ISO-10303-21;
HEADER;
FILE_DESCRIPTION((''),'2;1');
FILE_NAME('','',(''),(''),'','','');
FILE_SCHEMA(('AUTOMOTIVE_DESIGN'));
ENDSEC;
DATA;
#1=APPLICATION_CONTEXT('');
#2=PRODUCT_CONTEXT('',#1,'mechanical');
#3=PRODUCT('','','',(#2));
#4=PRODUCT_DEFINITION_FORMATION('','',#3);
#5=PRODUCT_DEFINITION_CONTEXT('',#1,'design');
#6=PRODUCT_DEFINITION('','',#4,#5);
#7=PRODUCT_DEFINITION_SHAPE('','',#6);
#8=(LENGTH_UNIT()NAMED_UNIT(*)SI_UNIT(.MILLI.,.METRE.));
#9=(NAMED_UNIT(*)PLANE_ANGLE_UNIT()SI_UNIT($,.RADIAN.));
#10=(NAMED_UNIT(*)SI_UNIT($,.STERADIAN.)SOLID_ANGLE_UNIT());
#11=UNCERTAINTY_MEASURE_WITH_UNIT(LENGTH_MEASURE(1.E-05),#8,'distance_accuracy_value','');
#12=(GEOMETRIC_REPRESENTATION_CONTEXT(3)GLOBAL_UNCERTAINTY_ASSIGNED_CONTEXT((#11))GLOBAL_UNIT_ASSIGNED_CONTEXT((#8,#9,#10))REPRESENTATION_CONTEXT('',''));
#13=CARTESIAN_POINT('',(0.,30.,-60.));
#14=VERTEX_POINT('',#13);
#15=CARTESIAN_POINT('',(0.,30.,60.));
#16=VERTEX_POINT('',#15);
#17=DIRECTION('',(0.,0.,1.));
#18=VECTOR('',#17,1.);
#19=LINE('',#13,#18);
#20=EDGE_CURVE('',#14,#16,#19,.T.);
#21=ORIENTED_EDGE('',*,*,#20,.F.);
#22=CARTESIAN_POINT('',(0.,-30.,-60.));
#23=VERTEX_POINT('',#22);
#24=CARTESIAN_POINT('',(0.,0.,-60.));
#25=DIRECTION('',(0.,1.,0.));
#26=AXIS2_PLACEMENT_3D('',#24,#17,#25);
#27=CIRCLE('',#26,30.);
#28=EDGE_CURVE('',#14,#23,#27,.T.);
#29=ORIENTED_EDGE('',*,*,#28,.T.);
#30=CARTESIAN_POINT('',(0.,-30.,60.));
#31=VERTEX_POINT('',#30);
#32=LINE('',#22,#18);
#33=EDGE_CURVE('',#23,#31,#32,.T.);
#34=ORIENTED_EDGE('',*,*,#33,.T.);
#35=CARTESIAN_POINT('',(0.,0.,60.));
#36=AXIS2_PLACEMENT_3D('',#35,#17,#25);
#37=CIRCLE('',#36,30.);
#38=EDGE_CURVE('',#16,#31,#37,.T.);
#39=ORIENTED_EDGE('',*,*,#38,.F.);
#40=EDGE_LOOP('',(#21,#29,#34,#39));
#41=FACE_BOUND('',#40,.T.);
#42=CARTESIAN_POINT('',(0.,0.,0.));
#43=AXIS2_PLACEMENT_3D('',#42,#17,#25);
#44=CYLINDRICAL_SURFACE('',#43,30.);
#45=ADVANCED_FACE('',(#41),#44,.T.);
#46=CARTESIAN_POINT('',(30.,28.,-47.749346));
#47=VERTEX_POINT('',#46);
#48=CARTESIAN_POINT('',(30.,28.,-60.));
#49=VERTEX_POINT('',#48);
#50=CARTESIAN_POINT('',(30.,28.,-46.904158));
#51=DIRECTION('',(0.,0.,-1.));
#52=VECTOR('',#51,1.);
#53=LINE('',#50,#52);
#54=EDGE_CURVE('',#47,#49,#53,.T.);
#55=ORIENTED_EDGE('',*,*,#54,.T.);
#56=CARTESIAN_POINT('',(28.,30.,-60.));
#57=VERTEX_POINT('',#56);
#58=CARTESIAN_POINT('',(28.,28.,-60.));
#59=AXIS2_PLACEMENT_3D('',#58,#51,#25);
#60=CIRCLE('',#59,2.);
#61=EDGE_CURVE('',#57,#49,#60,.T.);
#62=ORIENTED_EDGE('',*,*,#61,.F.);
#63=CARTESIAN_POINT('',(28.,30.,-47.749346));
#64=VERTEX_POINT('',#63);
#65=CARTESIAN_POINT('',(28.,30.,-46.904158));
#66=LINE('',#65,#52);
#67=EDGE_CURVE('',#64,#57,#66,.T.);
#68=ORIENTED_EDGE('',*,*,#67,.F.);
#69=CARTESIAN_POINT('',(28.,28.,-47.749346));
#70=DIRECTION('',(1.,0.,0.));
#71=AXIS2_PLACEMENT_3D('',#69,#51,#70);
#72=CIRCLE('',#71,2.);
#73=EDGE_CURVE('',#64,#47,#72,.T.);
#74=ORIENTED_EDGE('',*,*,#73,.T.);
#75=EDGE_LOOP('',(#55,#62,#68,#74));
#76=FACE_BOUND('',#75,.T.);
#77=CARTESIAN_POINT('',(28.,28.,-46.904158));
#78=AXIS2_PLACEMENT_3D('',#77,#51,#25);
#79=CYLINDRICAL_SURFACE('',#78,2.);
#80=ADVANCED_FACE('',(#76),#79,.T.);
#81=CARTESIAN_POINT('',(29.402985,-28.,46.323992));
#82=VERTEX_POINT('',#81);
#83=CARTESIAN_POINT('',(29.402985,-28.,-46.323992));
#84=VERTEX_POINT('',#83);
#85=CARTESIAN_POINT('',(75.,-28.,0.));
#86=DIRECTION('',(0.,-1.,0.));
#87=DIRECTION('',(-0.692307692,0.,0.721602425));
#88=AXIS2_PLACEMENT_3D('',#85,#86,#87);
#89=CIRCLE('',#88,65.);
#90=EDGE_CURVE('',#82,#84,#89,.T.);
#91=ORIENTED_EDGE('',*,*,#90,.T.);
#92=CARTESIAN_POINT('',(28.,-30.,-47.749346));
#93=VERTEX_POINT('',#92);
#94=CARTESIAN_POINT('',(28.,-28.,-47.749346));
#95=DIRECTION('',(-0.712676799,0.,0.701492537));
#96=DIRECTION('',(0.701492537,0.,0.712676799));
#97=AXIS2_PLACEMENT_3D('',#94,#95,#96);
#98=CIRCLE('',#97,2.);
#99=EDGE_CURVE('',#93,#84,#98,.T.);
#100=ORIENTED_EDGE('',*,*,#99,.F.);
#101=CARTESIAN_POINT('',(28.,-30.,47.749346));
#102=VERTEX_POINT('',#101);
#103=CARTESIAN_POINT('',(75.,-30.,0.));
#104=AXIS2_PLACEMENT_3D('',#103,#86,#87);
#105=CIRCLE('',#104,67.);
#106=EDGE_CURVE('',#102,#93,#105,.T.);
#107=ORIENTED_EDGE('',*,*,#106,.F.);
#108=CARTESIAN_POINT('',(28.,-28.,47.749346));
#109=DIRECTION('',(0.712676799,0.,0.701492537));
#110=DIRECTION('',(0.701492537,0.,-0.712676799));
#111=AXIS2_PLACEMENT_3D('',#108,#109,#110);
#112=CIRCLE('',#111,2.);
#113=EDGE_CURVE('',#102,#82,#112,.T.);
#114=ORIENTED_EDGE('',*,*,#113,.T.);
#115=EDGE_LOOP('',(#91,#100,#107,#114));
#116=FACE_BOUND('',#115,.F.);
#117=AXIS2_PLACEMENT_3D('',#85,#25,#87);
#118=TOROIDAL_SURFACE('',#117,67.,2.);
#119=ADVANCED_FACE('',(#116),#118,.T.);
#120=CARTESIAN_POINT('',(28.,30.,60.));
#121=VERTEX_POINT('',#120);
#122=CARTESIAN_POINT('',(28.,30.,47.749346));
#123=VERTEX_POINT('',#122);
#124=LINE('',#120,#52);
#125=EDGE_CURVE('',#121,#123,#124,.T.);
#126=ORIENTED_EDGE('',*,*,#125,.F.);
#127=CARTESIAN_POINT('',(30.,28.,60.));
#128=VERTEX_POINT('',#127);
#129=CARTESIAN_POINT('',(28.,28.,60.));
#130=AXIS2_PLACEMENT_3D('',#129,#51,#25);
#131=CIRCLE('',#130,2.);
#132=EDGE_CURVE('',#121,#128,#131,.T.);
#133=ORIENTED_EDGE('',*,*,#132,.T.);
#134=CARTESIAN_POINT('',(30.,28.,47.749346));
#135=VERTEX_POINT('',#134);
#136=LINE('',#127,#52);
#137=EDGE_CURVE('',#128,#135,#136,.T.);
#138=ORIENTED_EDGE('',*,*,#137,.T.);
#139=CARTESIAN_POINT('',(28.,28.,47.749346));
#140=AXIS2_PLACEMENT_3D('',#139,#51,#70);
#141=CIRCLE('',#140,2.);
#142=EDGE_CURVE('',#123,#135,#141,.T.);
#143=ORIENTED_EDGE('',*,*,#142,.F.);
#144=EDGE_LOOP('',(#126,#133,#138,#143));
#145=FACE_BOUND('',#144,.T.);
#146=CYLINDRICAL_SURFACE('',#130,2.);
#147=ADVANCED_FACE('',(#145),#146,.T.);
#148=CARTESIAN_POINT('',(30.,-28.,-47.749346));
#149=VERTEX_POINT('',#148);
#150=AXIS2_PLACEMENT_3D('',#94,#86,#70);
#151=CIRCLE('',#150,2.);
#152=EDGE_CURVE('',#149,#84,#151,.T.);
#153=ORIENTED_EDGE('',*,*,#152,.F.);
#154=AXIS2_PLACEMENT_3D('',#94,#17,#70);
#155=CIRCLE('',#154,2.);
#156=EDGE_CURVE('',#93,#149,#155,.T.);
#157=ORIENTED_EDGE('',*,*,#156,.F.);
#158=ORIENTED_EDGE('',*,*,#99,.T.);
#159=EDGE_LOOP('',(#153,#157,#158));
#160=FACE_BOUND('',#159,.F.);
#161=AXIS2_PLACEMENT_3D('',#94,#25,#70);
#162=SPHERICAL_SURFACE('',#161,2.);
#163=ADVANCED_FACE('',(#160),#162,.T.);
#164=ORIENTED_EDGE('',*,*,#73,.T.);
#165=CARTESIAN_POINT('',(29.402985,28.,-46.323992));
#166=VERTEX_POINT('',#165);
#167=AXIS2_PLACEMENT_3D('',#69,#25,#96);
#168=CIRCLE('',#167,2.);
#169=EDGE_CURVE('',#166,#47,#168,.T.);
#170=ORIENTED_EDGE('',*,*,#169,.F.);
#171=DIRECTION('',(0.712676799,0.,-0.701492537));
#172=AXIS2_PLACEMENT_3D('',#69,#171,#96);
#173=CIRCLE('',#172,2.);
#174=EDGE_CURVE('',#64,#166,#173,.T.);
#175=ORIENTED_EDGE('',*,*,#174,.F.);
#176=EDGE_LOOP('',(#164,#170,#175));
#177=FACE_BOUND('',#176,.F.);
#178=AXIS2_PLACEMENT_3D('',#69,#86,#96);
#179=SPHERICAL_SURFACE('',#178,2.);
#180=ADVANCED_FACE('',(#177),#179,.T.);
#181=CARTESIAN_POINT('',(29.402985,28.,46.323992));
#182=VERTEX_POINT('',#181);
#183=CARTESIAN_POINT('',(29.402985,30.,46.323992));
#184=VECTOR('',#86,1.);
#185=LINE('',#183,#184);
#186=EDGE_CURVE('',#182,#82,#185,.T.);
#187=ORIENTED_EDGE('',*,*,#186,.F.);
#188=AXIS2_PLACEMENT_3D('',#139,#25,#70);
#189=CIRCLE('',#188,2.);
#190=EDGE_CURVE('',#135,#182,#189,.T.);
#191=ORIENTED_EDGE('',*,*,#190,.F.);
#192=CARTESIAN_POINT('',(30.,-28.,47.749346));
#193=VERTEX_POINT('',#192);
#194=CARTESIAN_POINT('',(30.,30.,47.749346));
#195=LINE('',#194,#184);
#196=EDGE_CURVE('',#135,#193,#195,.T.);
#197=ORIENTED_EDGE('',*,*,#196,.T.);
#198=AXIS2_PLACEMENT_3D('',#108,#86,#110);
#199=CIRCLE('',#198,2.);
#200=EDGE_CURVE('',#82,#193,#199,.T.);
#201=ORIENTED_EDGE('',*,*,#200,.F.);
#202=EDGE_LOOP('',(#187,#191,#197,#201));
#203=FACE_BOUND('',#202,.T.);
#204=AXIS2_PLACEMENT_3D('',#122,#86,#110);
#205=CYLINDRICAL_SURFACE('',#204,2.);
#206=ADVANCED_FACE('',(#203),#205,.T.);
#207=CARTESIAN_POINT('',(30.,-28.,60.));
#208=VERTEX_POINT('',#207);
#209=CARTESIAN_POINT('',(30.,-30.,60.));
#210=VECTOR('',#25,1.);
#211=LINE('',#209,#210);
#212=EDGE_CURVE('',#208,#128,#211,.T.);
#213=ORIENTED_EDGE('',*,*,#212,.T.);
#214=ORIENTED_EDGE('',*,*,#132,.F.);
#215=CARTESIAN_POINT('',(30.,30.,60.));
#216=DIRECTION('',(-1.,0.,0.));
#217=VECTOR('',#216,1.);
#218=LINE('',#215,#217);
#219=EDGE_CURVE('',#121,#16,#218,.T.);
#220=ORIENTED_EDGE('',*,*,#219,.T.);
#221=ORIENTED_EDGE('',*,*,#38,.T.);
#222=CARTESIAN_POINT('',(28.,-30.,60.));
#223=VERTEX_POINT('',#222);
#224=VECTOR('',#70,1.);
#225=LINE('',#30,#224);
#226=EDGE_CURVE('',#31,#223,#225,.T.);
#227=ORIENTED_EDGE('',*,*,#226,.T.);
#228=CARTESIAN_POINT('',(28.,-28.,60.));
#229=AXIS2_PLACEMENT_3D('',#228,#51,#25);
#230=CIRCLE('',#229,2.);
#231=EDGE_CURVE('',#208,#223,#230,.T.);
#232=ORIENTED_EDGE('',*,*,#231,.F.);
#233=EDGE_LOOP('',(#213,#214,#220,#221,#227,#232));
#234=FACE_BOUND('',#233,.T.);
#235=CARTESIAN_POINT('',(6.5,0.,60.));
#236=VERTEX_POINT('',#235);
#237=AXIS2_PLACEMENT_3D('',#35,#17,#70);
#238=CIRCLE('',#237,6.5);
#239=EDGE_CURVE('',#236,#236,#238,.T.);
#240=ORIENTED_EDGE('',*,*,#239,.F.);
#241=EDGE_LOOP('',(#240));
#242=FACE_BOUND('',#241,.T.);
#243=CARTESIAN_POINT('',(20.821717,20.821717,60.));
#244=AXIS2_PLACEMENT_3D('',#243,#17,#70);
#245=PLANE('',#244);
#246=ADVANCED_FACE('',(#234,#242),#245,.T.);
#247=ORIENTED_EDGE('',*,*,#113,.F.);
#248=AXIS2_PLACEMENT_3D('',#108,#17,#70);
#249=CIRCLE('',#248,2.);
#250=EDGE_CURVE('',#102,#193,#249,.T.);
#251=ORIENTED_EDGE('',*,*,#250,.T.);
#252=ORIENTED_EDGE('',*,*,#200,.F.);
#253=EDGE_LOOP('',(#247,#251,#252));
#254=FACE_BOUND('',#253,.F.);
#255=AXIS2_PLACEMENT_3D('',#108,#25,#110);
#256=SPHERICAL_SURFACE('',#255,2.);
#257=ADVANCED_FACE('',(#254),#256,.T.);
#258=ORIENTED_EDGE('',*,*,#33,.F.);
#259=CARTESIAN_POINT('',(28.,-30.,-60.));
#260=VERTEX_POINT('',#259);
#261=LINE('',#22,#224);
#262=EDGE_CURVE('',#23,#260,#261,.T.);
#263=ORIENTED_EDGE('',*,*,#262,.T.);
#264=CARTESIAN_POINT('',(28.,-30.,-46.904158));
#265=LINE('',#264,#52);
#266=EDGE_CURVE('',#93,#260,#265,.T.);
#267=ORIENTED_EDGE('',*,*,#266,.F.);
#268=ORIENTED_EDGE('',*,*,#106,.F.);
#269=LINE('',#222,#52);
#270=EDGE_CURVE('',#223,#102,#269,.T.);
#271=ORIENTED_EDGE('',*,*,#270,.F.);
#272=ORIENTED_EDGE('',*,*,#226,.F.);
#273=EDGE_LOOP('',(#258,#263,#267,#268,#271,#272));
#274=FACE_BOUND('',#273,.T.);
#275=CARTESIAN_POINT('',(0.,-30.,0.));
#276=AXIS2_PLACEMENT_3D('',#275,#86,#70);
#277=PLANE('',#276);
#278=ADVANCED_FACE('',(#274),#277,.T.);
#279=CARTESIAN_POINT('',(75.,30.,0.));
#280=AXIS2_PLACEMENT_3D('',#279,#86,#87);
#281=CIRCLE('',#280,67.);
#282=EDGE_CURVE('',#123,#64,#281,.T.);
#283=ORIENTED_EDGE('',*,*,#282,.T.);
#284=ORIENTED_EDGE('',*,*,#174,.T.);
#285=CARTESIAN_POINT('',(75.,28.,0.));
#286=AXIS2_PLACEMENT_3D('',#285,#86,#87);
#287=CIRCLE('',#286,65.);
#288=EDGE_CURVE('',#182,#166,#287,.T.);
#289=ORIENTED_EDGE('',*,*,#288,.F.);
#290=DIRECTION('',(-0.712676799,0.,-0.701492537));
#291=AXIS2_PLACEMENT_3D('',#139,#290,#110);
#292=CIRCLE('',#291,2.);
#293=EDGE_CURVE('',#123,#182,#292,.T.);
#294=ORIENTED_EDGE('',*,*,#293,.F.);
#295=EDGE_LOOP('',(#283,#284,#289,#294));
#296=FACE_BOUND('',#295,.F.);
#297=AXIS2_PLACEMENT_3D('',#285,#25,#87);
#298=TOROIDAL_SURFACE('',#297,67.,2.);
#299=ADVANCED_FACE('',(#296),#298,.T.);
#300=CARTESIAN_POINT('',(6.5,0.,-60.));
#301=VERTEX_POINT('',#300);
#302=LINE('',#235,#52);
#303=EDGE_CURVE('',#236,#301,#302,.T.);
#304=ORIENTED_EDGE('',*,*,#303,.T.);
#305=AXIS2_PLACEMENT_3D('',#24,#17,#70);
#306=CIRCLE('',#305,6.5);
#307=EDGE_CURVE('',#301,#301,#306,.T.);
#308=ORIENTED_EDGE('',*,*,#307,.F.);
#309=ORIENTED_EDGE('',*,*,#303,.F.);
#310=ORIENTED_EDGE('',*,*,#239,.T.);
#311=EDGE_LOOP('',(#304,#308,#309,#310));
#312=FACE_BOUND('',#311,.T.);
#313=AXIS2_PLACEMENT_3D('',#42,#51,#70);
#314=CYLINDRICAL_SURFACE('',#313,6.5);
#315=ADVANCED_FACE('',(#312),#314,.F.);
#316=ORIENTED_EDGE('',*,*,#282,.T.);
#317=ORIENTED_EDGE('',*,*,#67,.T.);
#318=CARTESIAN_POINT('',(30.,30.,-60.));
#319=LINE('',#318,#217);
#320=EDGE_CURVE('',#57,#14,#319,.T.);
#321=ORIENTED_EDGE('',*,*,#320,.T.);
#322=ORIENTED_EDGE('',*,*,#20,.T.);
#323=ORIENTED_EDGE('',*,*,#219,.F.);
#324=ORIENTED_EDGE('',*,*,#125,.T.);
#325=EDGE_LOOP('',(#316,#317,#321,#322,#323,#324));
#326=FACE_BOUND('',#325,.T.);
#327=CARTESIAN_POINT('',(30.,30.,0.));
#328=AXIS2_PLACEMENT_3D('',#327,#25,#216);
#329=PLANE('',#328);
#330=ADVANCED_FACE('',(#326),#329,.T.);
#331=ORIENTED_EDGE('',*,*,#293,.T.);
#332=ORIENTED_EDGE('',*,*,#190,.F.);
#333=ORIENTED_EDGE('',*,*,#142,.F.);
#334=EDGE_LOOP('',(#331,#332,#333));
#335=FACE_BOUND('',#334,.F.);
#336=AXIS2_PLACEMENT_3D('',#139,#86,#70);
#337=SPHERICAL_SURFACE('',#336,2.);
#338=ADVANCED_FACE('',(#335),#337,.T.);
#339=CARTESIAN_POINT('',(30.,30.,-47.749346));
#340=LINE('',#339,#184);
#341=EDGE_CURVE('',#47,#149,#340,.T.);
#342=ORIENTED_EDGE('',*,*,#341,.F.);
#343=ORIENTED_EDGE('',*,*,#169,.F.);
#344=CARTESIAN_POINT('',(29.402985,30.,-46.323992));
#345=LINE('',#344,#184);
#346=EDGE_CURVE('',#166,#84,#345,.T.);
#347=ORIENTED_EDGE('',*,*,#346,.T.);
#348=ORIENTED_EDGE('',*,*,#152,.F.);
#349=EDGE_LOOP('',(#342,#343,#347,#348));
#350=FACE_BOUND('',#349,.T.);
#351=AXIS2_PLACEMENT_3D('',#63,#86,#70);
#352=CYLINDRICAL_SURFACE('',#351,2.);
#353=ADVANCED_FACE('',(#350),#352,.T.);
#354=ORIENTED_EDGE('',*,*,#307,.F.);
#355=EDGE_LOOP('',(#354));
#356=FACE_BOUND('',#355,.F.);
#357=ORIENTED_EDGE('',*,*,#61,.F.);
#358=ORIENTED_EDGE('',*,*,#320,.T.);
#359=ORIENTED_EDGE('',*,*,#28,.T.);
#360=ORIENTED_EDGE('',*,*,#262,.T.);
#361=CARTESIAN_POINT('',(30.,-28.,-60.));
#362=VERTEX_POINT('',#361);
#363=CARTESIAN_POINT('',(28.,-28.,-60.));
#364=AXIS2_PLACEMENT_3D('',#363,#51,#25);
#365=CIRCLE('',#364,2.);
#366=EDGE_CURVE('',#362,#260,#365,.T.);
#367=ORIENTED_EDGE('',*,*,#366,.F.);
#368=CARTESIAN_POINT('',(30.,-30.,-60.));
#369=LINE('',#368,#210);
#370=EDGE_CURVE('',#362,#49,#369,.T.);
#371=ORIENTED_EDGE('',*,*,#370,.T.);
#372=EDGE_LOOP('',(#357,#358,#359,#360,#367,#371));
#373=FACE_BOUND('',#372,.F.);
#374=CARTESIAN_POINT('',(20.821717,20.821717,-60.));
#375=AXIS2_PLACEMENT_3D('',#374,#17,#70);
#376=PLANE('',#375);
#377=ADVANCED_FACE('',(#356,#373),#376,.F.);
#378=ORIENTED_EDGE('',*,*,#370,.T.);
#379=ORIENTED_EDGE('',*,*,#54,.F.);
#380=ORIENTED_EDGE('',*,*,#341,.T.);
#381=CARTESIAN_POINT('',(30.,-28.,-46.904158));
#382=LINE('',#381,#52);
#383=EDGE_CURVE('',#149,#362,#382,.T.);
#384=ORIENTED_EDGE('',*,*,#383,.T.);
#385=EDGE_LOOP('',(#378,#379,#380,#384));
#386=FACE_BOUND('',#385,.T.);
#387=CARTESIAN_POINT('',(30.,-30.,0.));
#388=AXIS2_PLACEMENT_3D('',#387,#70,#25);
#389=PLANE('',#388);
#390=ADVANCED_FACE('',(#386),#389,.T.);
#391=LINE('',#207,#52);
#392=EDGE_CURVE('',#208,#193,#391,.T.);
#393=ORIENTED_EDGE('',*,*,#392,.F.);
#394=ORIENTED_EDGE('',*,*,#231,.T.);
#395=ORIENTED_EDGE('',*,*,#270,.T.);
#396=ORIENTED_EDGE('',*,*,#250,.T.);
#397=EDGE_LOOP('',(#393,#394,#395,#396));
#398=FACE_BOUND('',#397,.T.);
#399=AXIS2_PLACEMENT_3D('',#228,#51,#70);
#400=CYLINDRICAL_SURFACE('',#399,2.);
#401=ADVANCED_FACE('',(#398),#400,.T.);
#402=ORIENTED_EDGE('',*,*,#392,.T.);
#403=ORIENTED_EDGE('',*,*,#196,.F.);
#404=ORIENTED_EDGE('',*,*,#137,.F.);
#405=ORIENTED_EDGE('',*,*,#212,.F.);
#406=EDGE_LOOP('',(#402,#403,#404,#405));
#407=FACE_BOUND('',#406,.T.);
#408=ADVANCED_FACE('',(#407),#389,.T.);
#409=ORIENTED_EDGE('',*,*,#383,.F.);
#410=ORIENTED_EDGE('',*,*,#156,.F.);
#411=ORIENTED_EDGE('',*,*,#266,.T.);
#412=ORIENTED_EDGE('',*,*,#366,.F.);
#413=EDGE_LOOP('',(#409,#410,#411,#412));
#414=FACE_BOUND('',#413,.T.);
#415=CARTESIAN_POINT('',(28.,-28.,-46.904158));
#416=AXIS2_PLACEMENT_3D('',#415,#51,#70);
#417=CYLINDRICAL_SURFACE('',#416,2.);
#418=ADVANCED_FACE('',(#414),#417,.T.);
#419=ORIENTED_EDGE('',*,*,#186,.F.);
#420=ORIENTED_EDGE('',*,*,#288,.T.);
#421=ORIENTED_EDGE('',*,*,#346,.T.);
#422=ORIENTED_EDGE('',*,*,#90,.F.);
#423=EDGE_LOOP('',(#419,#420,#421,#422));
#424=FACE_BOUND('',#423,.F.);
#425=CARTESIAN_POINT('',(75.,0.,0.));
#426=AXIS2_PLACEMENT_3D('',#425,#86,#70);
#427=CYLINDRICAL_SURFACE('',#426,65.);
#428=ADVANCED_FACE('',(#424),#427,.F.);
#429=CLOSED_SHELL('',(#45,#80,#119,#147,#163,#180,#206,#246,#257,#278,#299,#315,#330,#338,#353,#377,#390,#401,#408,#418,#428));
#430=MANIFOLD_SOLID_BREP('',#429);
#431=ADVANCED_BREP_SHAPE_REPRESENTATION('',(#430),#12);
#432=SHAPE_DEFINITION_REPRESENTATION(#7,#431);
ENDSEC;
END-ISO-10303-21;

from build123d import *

# Parameters (mm, degrees)
F0_R     = 6.5
F1_DEPTH = 60
F2_R     = 65
F3_DEPTH = 60
F4_R     = 2


with BuildPart() as f1:
    # F0 (on Top) → F1 (new body, symmetric)
    with BuildSketch(Plane.XY):
        with BuildLine():
            Line((30, 30), (0, 30))
            ThreePointArc((0, 30), (21.2132034356, 21.2132034356), (30, 0))
            Line((30, 0), (30, 30))
        make_face()
        with BuildLine():
            ThreePointArc((30, 0), (21.2132034356, 21.2132034356), (0, 30))
            ThreePointArc((0, 30), (-30, 0), (0, -30))
            ThreePointArc((0, -30), (21.2132034356, -21.2132034356), (30, 0))
        make_face()
        Circle(F0_R, mode=Mode.SUBTRACT)
        with BuildLine():
            Line((30, -30), (30, 0))
            ThreePointArc((30, 0), (21.2132034356, -21.2132034356), (0, -30))
            Line((0, -30), (30, -30))
        make_face()
    extrude(amount=F1_DEPTH, both=True)

    # F2 (on Front) → F3 (cut, symmetric)
    with BuildSketch(Plane.XZ):
        with Locations((75, 0)):
            Circle(F2_R)
    extrude(amount=F3_DEPTH, both=True, mode=Mode.SUBTRACT)

    # F4
    f4_edges = [f1.edges().sort_by_distance(p)[0] for p in [
        (10, -30, 0),
        (30, -30, 53.452079),
        (30, 0, -46.904158),
        (30, 0, 46.904158),
        (30, 30, 53.452079),
        (10, 30, 0),
        (30, -30, -53.452079),
        (30, 30, -53.452079),
    ]]
    fillet(f4_edges, radius=F4_R)


solid = f1.part
